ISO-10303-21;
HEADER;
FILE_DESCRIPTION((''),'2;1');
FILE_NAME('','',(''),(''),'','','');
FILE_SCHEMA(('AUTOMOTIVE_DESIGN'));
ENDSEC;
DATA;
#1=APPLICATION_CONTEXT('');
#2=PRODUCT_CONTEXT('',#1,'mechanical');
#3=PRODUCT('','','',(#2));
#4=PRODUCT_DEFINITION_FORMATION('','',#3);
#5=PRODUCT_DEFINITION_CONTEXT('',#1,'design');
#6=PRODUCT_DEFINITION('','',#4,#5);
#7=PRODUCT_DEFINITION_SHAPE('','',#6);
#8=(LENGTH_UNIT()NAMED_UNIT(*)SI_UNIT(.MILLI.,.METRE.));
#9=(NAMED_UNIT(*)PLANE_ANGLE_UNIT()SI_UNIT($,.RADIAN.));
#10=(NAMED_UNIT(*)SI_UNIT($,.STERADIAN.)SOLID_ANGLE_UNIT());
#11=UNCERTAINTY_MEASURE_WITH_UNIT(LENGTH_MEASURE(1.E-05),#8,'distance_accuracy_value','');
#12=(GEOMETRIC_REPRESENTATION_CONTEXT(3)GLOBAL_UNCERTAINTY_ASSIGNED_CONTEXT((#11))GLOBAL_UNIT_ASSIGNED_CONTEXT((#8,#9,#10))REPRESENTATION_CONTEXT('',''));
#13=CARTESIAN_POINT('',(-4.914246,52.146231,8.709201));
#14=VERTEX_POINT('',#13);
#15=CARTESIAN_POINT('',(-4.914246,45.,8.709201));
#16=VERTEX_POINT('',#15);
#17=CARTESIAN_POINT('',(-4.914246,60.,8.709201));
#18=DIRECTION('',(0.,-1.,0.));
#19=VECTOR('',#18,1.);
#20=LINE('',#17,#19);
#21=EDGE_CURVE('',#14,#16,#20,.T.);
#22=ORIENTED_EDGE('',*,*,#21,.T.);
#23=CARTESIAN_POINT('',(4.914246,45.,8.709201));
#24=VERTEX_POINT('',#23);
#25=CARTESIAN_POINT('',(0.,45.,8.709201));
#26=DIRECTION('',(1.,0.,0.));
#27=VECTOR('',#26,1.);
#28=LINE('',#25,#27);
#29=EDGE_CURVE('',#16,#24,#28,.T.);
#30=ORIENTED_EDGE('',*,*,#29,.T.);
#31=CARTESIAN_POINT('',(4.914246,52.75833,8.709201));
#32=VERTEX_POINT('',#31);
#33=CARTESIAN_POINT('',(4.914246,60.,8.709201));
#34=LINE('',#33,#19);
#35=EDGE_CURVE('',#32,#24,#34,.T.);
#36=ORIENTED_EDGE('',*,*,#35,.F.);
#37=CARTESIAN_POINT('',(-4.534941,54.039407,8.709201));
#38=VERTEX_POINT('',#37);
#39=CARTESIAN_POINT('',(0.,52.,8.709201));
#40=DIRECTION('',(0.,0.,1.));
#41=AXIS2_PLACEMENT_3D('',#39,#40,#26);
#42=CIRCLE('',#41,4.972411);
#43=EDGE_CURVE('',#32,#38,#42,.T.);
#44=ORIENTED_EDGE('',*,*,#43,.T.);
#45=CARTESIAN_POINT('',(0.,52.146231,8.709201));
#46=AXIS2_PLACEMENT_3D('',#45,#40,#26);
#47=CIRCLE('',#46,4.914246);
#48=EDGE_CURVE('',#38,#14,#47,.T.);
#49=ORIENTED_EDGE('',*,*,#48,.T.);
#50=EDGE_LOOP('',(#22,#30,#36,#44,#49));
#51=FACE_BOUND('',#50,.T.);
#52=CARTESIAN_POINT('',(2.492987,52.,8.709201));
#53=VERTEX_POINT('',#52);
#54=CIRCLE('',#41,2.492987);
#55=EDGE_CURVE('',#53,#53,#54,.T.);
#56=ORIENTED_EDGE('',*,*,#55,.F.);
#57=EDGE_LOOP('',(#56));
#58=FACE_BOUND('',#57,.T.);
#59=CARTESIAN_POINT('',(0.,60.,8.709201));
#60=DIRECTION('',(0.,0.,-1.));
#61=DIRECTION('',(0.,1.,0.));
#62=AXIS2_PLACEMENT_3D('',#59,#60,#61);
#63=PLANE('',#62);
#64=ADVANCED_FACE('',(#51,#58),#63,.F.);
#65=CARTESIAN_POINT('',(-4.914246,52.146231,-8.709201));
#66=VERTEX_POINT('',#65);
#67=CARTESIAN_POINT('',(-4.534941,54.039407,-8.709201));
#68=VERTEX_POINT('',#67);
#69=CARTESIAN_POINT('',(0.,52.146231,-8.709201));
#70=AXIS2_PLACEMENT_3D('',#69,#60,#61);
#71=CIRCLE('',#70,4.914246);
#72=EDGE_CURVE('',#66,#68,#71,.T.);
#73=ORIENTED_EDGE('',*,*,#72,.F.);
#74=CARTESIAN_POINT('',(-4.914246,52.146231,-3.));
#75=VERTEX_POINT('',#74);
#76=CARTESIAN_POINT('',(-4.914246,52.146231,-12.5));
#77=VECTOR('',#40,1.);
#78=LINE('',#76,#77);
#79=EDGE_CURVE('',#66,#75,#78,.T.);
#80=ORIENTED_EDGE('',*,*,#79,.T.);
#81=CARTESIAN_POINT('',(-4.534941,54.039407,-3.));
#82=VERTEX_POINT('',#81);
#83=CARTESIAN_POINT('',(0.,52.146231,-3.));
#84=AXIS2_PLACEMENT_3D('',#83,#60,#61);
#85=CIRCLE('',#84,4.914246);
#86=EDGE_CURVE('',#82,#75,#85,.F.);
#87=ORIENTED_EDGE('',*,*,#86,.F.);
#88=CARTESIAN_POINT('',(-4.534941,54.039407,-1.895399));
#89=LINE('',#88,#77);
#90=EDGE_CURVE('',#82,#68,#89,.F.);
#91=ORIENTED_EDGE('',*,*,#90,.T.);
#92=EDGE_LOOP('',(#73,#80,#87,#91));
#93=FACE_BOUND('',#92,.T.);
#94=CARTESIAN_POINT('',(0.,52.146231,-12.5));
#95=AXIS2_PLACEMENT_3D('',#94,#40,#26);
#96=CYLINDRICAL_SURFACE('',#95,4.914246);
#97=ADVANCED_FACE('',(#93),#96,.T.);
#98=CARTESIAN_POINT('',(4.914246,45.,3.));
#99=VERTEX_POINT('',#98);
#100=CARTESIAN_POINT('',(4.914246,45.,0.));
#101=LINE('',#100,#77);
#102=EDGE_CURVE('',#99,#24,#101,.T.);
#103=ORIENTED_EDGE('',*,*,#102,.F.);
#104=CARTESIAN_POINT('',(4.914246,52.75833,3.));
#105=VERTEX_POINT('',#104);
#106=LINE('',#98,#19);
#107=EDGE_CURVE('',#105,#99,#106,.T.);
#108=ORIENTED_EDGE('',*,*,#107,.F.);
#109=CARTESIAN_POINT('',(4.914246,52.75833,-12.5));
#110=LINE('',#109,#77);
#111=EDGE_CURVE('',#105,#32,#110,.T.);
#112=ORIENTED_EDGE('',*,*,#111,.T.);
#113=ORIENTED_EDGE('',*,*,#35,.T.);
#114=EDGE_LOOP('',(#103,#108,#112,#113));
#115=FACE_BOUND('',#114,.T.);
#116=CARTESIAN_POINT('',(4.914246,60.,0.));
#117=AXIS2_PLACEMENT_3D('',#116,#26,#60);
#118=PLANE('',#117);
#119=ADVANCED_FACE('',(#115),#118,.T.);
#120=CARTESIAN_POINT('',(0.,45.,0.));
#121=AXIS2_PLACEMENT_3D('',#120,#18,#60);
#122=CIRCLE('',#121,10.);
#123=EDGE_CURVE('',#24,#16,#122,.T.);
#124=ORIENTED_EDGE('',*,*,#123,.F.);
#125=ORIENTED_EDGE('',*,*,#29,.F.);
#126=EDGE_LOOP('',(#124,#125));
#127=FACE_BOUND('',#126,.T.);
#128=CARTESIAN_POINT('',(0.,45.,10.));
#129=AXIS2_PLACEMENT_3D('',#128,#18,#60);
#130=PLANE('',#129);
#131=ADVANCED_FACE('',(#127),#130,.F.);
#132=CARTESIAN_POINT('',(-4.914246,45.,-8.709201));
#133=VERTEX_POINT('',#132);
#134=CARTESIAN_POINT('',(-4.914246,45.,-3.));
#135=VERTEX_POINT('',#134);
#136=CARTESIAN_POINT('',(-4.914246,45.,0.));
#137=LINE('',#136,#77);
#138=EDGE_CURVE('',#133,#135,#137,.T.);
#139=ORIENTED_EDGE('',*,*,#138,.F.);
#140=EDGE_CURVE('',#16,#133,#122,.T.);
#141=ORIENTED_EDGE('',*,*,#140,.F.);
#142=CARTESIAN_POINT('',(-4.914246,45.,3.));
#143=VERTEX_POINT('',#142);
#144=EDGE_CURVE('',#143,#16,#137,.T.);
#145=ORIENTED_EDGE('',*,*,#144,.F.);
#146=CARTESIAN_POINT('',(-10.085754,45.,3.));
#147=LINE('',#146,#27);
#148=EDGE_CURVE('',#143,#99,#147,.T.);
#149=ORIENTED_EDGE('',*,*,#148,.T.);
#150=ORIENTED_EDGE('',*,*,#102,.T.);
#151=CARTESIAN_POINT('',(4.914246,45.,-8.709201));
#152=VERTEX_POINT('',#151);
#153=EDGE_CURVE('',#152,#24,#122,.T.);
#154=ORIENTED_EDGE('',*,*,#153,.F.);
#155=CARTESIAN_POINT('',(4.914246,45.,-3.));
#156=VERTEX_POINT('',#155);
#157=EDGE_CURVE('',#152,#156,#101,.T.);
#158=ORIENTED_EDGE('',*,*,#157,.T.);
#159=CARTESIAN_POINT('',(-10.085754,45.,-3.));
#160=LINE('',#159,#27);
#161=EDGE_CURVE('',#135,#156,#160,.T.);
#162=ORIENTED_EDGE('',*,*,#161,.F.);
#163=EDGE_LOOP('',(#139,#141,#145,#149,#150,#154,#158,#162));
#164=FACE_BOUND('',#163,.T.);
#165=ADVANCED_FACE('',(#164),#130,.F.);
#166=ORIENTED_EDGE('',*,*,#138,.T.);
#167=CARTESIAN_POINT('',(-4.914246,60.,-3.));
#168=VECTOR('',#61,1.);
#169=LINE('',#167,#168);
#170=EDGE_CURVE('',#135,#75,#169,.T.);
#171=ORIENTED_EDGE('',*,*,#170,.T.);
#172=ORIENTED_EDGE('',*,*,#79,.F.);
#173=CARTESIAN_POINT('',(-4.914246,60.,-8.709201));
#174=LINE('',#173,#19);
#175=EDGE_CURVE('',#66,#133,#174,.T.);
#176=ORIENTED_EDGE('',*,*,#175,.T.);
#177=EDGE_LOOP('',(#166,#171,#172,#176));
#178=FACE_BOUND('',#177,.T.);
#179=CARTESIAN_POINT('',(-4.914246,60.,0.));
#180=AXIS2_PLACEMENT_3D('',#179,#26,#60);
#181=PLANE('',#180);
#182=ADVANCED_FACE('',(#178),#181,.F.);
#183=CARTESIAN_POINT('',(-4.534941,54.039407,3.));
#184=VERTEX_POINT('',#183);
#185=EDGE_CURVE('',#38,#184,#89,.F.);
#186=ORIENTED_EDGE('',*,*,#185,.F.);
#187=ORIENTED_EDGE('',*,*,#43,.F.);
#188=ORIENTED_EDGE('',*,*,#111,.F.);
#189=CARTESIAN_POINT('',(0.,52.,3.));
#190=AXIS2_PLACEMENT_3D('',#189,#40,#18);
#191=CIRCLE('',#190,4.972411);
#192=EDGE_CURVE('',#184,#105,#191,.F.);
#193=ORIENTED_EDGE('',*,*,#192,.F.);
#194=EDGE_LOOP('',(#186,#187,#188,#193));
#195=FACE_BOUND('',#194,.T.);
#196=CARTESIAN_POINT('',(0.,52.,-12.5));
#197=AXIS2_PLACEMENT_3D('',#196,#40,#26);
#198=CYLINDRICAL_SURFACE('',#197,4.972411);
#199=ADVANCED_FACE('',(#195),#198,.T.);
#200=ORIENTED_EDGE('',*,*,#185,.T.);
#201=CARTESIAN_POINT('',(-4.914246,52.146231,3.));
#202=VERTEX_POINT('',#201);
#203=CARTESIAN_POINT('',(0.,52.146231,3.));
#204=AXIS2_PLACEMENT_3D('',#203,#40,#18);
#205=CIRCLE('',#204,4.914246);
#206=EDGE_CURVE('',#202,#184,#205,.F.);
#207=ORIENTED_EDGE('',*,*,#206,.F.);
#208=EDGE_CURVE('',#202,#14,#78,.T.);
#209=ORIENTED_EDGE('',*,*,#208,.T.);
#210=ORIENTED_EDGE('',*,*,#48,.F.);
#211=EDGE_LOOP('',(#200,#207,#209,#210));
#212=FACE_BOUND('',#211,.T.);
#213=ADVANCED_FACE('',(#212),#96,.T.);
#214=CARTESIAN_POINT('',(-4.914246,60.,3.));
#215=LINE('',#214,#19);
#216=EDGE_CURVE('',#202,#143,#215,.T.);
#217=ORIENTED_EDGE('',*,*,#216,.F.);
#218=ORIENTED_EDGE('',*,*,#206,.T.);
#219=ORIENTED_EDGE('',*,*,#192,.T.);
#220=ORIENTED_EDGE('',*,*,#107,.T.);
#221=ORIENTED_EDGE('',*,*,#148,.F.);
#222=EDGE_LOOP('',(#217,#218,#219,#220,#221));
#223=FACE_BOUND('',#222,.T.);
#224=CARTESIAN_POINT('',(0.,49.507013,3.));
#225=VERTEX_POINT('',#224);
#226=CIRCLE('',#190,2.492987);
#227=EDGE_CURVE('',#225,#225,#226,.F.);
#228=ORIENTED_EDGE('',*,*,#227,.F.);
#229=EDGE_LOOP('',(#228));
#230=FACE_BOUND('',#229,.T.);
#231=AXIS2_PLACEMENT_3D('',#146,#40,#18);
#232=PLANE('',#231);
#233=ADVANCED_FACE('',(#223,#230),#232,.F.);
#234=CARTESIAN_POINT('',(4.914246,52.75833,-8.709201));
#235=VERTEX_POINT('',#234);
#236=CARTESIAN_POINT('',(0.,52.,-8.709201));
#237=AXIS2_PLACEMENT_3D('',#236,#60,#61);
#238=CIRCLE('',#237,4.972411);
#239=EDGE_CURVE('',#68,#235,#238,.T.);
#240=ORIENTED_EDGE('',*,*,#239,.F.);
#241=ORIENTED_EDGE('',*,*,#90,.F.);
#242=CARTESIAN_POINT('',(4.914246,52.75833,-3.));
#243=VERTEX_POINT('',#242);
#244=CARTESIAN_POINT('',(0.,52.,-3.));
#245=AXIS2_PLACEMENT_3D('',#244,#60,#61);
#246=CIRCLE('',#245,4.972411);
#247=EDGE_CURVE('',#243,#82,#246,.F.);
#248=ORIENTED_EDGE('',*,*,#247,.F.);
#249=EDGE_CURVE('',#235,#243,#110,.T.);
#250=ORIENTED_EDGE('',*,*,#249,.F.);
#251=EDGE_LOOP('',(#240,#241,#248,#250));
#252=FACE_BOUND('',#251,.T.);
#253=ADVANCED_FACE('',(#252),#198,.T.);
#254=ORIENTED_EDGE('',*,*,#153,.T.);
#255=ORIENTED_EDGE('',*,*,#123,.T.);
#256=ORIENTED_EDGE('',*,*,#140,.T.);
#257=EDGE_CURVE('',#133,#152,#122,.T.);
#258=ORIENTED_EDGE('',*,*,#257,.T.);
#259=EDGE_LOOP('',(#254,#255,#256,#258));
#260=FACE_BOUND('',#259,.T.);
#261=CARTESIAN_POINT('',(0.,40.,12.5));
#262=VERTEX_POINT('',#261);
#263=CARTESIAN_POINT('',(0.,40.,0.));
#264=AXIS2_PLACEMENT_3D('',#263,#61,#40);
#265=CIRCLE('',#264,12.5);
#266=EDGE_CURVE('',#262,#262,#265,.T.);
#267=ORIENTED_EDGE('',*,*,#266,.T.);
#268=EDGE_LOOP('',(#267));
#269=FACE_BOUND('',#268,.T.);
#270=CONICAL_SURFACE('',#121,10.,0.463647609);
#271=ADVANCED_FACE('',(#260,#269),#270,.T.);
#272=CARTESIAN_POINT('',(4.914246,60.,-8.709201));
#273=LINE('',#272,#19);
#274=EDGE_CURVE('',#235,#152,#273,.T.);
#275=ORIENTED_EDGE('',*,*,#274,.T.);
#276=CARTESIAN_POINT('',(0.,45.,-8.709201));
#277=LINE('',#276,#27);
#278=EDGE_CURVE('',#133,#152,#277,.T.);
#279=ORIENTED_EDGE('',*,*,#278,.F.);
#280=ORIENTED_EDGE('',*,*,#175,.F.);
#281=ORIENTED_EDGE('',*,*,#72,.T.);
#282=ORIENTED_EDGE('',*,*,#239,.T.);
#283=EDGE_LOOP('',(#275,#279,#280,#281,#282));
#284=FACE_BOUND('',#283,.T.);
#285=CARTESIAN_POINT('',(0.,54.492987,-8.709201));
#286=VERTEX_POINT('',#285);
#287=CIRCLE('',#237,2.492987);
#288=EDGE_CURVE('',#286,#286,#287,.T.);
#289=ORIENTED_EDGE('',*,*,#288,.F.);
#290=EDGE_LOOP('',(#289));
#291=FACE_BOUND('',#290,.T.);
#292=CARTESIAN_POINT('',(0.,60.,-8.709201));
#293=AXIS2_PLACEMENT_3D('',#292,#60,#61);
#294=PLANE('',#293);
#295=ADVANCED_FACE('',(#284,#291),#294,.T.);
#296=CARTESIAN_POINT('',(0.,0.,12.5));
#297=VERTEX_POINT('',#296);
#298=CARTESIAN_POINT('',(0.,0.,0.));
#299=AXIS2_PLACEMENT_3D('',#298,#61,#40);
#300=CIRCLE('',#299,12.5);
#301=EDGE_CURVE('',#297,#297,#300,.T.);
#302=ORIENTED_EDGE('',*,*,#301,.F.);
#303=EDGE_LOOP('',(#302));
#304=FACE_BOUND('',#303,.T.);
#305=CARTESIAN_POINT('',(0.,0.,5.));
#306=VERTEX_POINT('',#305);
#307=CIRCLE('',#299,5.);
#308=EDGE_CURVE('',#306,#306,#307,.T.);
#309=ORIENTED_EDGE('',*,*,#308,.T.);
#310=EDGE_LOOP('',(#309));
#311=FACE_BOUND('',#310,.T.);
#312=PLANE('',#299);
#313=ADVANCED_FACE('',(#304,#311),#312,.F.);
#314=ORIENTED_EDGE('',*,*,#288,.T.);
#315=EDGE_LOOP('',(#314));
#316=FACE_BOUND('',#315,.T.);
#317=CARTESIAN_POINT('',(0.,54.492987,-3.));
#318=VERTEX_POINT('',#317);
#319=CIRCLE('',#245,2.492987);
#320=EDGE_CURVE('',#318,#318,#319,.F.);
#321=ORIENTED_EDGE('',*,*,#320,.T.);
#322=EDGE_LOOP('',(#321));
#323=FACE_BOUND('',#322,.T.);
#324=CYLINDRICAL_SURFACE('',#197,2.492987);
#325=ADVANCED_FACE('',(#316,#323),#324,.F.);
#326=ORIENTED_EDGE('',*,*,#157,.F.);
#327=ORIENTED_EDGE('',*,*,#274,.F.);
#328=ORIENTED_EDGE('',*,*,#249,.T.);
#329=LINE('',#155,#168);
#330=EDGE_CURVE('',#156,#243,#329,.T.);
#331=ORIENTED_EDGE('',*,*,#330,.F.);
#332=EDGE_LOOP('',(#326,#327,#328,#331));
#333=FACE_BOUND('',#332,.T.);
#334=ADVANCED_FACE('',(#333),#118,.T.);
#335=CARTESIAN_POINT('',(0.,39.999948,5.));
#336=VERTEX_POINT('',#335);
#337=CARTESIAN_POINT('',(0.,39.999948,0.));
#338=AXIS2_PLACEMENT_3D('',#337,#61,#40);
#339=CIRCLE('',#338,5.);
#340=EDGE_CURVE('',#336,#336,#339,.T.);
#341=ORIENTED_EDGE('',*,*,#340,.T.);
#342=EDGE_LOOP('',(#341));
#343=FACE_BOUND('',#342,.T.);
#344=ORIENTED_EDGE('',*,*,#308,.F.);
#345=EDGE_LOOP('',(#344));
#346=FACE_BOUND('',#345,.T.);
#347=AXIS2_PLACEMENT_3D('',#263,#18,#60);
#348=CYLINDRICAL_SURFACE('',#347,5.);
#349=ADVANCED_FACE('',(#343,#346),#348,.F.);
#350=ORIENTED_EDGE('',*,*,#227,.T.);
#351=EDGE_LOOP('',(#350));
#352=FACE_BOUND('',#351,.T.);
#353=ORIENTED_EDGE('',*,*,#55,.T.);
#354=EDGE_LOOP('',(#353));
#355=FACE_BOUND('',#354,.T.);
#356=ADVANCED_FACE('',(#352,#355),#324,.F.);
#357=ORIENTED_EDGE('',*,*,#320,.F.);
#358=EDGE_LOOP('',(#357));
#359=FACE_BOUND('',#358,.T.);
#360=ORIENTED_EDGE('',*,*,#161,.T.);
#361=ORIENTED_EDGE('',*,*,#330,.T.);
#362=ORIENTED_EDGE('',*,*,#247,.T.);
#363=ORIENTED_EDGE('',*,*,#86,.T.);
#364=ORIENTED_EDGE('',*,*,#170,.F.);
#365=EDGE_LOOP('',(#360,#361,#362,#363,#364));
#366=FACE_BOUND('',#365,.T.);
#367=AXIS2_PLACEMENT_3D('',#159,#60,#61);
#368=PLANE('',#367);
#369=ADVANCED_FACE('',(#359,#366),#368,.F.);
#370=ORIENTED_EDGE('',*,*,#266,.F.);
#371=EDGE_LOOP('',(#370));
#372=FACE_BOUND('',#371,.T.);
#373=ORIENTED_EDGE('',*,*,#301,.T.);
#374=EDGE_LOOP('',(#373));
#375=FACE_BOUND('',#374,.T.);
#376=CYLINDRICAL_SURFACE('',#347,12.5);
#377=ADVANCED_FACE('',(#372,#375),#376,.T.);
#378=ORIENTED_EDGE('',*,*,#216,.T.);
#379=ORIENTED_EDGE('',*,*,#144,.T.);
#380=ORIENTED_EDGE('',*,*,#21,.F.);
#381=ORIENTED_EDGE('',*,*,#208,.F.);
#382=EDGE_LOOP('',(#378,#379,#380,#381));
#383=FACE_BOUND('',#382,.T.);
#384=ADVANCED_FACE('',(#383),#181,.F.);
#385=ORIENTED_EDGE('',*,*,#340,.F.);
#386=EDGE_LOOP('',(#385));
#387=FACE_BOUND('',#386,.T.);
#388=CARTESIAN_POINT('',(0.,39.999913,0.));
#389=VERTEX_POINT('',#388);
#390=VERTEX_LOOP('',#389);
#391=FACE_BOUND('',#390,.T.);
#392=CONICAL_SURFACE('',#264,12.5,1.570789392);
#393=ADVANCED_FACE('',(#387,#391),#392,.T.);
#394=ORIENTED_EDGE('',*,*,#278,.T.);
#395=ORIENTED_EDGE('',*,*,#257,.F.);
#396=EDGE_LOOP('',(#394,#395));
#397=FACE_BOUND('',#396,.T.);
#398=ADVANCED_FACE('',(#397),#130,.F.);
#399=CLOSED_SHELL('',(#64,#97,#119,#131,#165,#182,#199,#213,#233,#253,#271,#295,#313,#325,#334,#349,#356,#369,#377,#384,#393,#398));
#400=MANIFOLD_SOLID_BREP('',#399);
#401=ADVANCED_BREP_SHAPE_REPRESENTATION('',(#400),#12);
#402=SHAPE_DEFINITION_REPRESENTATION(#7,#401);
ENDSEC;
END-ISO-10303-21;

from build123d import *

# Parameters (mm, degrees)
SKETCH_1_R          = 12.5
SKETCH_1_R_2        = 5
EXTRUDE_1_DEPTH     = 40
SKETCH_9_W          = 9.82849153
SKETCH_9_H          = 17.418402746
EXTRUDE_4_DEPTH     = 15
SKETCH_12_R         = 2.492986731
CUT_EXTRUDE_2_DEPTH = 65.854299957
CUT_EXTRUDE_3_DEPTH = 65.854299957
CUT_EXTRUDE_4_DEPTH = 65.854299957
CUT_EXTRUDE_5_DEPTH = 15


with BuildPart() as part:
    # Эскиз1 → Бобышка-Вытянуть1 (new body)
    with BuildSketch(Plane(origin=(0, 0, 0), x_dir=(1, 0, 0), z_dir=(0, 1, 0))):
        Circle(SKETCH_1_R)
        Circle(SKETCH_1_R_2, mode=Mode.SUBTRACT)
    extrude(amount=EXTRUDE_1_DEPTH)

    # Эскиз4 → Повернуть2 (revolve)
    with BuildSketch(Plane(origin=(0, 0, 0), x_dir=(0, 0, -1), z_dir=(1, 0, 0))):
        Polygon((-10, 45), (0, 45), (0, 39.999913314), (-12.5, 40), align=None)
    revolve(axis=Axis((0, 39.999913314, 0), (0, 1, 0)))

    # Эскиз9 → Бобышка-Вытянуть4 (add)
    with BuildSketch(Plane(origin=(0, 45, 0), x_dir=(1, 0, 0), z_dir=(0, 1, 0))):
        Rectangle(SKETCH_9_W, SKETCH_9_H)
    extrude(amount=EXTRUDE_4_DEPTH)

    # Эскиз12 → Вырез-Вытянуть2 (cut, through all)
    with BuildSketch(Plane.XY.offset(8.709201373)):
        with Locations((0, 52)):
            Circle(SKETCH_12_R)
    extrude(amount=-CUT_EXTRUDE_2_DEPTH, mode=Mode.SUBTRACT)

    # Эскиз12<4> → Вырез-Вытянуть3 (cut, through all)
    with BuildSketch(Plane.XY.offset(8.709201373)):
        with BuildLine():
            Line((0, 57.060476342), (0, 60))
            Line((0, 60), (-4.914245765, 60))
            Line((-4.914245765, 60), (-4.914245765, 52.146230577))
            ThreePointArc((-4.914245765, 52.146230577), (-3.474896505, 55.621127082), (0, 57.060476342))
        make_face()
    extrude(amount=-CUT_EXTRUDE_3_DEPTH, mode=Mode.SUBTRACT)

    # Эскиз14 → Вырез-Вытянуть4 (cut, through all)
    with BuildSketch(Plane.XY.offset(8.709201373)):
        with BuildLine():
            ThreePointArc((-4.534941492, 54.039407036), (0.668025232, 56.927333729), (4.914245765, 52.758329712))
            Line((4.914245765, 52.758329712), (4.914245765, 53.845840784))
            Line((4.914245765, 53.845840784), (4.914245765, 60))
            Line((4.914245765, 60), (0, 60))
            Line((0, 60), (0, 57.060476342))
            ThreePointArc((0, 57.060476342), (-2.724543727, 56.236056113), (-4.534941492, 54.039407036))
        make_face()
    extrude(amount=-CUT_EXTRUDE_4_DEPTH, mode=Mode.SUBTRACT)

    # Эскиз15 → Вырез-Вытянуть5 (cut)
    with BuildSketch(Plane(origin=(4.914245765, 0, 0), x_dir=(0, 0, -1), z_dir=(1, 0, 0))):
        Polygon((-3, 45), (-3, 52.758329712), (-3, 60.738034658), (3, 60.738034658), (3, 45), (0, 45), align=None)
    extrude(amount=-CUT_EXTRUDE_5_DEPTH, mode=Mode.SUBTRACT)


solid = part.part
